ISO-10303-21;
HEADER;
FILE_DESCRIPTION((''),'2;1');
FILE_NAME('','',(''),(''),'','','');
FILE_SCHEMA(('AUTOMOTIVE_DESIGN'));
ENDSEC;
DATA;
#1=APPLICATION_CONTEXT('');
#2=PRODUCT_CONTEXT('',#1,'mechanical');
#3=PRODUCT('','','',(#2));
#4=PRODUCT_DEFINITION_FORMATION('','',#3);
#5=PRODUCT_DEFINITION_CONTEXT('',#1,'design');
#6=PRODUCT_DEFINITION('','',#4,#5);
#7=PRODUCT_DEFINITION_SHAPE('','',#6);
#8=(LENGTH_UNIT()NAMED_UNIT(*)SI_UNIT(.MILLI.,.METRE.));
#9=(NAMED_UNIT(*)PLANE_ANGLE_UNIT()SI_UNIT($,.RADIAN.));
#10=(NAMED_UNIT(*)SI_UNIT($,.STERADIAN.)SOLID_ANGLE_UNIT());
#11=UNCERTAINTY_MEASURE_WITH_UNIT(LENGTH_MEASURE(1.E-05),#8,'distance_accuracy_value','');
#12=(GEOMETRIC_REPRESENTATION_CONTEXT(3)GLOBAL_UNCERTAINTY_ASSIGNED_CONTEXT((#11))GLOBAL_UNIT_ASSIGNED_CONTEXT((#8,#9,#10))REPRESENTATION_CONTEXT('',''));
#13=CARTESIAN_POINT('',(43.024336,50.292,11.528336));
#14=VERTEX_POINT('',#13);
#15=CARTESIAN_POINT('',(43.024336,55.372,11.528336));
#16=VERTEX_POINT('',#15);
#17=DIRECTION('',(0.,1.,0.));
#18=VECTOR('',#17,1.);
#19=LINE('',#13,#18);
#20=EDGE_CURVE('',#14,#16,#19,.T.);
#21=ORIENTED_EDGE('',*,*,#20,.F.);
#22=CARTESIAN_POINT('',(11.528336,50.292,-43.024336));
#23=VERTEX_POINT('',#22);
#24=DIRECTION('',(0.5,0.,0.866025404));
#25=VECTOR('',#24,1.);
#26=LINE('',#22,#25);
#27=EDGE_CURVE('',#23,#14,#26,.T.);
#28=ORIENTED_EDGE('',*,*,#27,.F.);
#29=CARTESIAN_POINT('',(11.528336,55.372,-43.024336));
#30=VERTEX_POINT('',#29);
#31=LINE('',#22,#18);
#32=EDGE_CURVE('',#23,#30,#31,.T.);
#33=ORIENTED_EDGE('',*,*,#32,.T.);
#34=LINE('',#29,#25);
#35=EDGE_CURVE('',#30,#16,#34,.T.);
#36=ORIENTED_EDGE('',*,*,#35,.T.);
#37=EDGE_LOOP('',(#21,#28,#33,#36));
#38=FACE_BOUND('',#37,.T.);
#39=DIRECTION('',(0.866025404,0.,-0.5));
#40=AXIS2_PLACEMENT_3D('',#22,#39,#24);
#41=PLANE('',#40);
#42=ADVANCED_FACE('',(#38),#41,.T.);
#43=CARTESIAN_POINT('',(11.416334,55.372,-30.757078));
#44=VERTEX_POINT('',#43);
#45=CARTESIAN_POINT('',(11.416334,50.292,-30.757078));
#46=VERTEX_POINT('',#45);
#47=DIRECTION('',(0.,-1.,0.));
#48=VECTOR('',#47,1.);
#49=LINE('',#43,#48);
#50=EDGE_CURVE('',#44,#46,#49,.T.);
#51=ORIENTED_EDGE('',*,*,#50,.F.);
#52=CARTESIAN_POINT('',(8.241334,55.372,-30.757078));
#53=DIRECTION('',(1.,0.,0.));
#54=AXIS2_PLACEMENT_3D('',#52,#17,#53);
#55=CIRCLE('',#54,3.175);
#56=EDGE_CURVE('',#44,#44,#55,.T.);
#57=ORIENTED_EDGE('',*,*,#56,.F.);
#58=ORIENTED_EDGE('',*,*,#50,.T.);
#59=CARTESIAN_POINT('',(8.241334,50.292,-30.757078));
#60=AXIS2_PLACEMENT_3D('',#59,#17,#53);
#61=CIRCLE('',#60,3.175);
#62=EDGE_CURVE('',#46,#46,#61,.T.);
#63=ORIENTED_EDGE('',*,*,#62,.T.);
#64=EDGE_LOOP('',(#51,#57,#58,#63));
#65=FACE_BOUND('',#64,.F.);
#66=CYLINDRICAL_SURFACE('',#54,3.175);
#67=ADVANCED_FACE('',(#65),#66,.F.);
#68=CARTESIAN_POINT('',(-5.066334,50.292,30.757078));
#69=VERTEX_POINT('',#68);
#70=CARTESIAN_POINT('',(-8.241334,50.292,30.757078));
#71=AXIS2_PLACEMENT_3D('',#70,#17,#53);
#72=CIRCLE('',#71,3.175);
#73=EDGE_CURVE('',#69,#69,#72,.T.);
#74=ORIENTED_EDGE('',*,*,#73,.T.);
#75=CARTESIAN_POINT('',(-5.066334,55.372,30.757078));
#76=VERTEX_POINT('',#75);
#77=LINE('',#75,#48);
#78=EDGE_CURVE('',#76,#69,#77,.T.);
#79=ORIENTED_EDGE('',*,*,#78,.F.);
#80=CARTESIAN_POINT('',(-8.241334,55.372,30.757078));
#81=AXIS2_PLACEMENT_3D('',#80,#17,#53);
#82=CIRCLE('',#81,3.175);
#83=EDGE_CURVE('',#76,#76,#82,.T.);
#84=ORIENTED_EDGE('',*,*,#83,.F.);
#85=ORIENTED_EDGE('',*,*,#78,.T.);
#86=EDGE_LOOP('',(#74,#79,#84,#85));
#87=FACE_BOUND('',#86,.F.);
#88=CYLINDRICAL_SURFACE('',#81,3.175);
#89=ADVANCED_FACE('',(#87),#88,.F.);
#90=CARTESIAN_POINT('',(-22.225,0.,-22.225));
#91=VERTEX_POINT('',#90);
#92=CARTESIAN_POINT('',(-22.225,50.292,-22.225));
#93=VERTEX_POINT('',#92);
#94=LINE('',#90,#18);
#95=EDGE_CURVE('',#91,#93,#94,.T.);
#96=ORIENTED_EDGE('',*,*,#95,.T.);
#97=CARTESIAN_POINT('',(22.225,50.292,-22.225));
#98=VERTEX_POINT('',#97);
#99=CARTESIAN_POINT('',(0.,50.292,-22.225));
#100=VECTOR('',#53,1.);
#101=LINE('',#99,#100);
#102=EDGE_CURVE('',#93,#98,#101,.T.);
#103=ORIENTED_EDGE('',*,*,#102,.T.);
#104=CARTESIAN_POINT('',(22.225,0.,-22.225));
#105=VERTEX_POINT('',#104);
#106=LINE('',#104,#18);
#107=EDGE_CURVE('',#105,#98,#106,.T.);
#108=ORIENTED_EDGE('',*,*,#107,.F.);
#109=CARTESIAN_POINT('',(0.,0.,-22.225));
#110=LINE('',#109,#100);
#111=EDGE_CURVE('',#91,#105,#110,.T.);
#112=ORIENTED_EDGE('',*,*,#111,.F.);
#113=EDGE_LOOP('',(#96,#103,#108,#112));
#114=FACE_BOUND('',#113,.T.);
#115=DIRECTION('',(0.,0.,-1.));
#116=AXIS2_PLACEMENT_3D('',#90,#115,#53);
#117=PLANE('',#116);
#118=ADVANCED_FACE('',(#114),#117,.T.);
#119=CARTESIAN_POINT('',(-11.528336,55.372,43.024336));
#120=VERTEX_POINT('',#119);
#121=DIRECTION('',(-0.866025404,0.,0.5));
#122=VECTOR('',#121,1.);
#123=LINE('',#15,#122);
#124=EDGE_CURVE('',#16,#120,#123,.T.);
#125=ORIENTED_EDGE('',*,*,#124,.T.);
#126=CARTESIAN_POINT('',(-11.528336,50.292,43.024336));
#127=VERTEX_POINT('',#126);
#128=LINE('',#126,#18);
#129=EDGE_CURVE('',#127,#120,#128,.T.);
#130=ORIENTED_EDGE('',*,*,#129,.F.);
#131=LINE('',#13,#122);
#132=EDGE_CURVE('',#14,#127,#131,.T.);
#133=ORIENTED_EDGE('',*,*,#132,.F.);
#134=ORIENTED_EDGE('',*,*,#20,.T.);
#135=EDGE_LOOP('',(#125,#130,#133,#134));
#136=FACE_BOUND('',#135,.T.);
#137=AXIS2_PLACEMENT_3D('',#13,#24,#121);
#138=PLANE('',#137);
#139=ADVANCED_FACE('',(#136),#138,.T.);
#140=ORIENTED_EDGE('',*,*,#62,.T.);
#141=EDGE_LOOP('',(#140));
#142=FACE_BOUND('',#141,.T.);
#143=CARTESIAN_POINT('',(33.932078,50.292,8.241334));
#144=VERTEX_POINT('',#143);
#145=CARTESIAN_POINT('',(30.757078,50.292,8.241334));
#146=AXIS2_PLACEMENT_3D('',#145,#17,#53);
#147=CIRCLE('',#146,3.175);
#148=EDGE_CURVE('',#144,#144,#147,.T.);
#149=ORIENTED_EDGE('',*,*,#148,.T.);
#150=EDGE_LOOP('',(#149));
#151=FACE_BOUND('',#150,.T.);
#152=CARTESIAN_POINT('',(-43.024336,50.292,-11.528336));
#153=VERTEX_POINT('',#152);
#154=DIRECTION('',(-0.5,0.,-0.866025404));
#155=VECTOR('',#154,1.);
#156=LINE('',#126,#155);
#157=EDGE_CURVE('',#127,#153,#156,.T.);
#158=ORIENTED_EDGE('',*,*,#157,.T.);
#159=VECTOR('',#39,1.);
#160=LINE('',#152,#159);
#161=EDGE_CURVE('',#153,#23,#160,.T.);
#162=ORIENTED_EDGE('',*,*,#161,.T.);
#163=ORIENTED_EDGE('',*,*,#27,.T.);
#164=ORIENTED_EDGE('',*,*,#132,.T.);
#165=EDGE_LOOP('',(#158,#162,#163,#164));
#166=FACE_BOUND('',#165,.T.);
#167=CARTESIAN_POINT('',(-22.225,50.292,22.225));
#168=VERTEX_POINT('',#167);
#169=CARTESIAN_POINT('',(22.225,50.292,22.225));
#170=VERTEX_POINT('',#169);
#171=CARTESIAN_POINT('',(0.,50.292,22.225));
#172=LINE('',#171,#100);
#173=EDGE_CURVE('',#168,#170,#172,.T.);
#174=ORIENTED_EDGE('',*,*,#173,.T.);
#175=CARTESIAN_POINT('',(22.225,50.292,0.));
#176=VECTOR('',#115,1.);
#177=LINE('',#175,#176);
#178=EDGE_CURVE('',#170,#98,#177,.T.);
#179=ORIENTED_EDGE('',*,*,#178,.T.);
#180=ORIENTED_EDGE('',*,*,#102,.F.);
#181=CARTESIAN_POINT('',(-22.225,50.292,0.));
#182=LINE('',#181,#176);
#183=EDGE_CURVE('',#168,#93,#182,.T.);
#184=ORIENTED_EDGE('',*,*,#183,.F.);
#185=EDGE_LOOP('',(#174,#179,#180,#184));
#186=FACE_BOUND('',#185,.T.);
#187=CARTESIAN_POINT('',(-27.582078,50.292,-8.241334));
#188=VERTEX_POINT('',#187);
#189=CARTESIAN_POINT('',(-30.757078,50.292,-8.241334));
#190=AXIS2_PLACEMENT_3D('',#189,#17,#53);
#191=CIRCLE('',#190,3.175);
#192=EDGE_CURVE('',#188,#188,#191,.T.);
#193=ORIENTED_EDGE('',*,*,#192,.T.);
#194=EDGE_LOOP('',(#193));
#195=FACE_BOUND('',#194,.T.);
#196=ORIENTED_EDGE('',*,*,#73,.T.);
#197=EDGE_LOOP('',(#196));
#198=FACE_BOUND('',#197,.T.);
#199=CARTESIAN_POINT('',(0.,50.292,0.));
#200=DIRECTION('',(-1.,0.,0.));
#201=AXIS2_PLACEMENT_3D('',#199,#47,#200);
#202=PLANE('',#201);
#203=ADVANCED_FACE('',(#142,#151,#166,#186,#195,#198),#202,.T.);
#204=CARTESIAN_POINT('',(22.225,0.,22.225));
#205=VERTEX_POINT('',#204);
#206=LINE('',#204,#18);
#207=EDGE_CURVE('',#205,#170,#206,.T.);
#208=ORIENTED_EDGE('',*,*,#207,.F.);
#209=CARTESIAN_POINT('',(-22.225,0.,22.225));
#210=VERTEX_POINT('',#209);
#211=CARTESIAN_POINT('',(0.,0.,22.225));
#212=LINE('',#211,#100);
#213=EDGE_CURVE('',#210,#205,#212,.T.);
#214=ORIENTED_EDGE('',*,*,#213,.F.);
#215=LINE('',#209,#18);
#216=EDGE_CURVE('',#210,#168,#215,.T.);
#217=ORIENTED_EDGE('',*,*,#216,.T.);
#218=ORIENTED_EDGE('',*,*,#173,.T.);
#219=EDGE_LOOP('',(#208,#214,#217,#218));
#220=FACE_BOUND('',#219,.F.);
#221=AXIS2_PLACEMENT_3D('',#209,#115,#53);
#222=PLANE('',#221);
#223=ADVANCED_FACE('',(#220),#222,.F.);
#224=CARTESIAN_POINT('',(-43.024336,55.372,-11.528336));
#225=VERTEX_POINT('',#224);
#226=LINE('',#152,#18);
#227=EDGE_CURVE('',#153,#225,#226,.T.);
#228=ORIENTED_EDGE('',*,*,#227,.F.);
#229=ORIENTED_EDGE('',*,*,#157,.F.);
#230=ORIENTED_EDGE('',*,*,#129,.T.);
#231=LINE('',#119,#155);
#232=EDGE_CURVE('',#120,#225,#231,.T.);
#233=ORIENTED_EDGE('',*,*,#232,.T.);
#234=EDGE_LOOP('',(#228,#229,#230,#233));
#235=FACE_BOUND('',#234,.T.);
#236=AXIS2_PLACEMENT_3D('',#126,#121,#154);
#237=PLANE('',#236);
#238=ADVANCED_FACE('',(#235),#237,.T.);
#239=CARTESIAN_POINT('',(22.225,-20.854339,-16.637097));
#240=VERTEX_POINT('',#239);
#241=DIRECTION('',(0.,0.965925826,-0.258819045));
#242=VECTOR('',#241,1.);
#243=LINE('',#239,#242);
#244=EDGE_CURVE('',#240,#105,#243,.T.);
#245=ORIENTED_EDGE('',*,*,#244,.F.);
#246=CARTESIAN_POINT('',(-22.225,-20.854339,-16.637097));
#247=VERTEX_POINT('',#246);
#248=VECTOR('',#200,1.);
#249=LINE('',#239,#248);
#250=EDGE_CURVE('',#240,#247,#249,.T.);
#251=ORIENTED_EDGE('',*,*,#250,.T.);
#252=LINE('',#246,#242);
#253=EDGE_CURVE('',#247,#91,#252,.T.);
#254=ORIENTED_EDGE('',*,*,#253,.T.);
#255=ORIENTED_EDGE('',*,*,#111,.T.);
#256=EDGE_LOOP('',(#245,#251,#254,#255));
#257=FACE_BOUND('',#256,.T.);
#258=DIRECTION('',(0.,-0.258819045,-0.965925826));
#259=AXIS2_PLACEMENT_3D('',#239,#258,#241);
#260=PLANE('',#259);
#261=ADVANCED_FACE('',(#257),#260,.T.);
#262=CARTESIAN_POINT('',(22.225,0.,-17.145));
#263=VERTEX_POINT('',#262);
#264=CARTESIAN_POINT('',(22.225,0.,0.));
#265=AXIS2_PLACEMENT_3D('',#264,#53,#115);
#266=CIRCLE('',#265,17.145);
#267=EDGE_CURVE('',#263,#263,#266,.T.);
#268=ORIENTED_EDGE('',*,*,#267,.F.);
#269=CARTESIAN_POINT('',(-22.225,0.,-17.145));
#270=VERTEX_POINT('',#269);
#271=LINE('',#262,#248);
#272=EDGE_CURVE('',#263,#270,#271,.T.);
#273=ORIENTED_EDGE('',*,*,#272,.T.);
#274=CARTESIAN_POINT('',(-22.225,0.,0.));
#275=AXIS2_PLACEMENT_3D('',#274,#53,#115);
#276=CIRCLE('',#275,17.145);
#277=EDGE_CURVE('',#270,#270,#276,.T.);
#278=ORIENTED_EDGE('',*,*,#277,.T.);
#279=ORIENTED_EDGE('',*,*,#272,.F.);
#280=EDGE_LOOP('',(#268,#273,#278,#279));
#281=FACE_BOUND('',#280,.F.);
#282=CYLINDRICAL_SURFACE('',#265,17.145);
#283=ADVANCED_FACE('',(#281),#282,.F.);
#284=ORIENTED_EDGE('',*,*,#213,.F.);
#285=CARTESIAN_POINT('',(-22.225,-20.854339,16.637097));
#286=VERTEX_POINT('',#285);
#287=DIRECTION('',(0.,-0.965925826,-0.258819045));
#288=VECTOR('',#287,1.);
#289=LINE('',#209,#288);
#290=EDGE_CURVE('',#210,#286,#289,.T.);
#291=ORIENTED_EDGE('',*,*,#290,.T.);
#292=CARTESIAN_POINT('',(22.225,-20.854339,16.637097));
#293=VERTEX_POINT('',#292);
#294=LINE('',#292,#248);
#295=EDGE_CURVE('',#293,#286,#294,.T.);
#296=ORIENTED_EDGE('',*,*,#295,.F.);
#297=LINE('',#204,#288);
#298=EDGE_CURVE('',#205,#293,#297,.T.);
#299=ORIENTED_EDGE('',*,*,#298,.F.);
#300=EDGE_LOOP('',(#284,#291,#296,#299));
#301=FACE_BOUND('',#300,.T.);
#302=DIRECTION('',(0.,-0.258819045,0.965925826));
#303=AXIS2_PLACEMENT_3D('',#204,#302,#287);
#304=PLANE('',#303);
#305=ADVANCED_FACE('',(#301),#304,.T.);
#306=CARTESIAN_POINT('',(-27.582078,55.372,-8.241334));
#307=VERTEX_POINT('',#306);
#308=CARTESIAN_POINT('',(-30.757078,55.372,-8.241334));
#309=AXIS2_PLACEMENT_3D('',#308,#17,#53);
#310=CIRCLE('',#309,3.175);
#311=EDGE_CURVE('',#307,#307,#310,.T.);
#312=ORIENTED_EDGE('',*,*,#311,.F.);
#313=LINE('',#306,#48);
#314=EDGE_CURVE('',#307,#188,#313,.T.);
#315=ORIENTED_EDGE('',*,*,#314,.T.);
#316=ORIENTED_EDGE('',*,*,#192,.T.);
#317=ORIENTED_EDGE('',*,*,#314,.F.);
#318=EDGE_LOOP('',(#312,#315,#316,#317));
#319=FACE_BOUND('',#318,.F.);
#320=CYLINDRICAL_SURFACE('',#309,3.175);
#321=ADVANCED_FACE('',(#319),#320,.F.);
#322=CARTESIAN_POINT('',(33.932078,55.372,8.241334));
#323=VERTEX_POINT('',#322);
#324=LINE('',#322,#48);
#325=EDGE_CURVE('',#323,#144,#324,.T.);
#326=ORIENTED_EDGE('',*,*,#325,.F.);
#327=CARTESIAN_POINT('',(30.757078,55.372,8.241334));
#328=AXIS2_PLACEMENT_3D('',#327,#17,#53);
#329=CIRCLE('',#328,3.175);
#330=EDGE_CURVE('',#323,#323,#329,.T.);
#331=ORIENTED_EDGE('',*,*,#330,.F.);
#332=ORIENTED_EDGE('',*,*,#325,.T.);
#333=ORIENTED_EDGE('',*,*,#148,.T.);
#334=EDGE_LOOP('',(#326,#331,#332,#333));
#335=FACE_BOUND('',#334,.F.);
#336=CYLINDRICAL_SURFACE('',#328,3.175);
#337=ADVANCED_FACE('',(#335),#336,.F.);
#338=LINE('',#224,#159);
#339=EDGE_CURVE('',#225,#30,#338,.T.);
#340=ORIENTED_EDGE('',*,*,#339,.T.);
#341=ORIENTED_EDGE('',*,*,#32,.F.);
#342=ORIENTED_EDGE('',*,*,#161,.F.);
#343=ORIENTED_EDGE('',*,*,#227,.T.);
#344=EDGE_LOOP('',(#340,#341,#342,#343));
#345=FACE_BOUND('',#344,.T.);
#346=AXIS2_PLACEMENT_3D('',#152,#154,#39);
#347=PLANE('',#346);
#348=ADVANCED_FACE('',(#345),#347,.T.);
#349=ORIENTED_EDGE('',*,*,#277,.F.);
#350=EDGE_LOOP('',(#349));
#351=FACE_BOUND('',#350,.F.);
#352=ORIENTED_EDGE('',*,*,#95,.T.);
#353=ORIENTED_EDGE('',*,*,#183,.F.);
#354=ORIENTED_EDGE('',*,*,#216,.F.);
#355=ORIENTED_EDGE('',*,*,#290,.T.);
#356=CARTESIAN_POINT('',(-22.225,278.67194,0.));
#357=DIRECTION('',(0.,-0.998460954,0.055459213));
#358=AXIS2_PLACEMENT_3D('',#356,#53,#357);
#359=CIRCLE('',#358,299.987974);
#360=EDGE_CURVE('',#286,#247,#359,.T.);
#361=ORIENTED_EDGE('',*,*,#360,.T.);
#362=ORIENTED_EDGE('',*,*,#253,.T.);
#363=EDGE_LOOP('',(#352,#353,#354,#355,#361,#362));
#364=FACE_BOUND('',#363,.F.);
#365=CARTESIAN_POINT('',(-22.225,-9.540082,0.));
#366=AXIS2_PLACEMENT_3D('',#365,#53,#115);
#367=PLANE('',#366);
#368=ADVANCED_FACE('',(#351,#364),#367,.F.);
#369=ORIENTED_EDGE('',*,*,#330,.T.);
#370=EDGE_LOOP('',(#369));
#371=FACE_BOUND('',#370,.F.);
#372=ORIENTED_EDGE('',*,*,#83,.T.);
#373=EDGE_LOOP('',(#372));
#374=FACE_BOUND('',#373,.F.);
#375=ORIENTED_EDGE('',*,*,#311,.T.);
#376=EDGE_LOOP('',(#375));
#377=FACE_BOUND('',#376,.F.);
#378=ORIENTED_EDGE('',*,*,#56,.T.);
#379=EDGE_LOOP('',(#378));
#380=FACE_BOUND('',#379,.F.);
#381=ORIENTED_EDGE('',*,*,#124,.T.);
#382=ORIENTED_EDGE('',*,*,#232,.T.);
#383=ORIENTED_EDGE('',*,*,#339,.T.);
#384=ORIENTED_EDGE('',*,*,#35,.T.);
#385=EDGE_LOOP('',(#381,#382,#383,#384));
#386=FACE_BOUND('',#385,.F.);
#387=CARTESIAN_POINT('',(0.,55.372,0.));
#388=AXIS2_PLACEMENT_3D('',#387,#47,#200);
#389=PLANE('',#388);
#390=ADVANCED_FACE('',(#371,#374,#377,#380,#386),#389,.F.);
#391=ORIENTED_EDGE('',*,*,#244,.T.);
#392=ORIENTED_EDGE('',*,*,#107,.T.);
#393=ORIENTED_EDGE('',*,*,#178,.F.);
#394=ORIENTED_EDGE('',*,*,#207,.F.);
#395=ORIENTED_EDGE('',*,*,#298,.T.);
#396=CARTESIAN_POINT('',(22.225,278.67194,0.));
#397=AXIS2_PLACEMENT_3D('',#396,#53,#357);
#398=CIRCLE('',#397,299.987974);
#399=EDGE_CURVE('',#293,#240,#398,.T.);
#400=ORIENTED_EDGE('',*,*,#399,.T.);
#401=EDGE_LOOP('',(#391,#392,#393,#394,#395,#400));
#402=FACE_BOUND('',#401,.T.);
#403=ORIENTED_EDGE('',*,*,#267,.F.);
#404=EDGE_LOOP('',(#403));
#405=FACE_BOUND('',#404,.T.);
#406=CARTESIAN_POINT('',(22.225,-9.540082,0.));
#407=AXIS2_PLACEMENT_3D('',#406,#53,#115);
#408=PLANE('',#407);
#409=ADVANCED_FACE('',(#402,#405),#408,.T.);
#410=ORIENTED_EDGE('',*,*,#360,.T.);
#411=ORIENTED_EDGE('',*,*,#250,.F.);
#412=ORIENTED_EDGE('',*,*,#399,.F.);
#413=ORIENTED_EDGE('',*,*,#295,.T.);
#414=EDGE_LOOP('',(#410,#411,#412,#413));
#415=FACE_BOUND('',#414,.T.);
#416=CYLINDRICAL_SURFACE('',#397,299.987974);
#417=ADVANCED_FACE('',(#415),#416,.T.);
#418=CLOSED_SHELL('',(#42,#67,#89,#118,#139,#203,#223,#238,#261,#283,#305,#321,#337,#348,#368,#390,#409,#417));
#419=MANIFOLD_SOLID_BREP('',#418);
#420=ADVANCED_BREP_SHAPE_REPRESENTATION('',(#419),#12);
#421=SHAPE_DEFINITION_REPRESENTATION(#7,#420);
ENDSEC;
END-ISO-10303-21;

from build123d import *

# Parameters (mm, degrees)
SKETCH1_W           = 44.45
SKETCH1_H           = 44.45
BOSS_EXTRUDE1_DEPTH = 50.292
BOSS_EXTRUDE2_DEPTH = 44.45
SKETCH3_R           = 17.145
CUT_EXTRUDE1_DEPTH  = 127
BOSS_EXTRUDE3_DEPTH = 5.08
SKETCH5_R           = 3.175
CUT_EXTRUDE2_DEPTH  = 77.68803402


with BuildPart() as part:
    # Sketch1 → Boss-Extrude1 (new body)
    with BuildSketch(Plane(origin=(0, 0, 0), x_dir=(1, 0, 0), z_dir=(0, 1, 0))):
        Rectangle(SKETCH1_W, SKETCH1_H)
    extrude(amount=BOSS_EXTRUDE1_DEPTH)

    # Sketch2 → Boss-Extrude2 (add)
    with BuildSketch(Plane(origin=(22.225, 0, 0), x_dir=(0, 0, -1), z_dir=(1, 0, 0))):
        with BuildLine():
            Line((-22.225, 0), (-16.637096816, -20.85433859))
            ThreePointArc((-16.637096816, -20.85433859), (0, -21.31603402), (16.637096816, -20.85433859))
            Line((16.637096816, -20.85433859), (22.225, 0))
            Line((22.225, 0), (-22.225, 0))
        make_face()
    extrude(amount=-BOSS_EXTRUDE2_DEPTH)

    # Sketch3 → Cut-Extrude1 (cut)
    with BuildSketch(Plane(origin=(22.225, 0, 0), x_dir=(0, 0, -1), z_dir=(1, 0, 0))):
        Circle(SKETCH3_R)
    extrude(amount=-CUT_EXTRUDE1_DEPTH, mode=Mode.SUBTRACT)

    # Sketch4 → Boss-Extrude3 (add)
    with BuildSketch(Plane(origin=(0, 50.292, 0), x_dir=(1, 0, 0), z_dir=(0, 1, 0))):
        Polygon((43.024336118, -11.528336118), (-11.528336118, -43.024336118), (-43.024336118, 11.528336118), (11.528336118, 43.024336118), align=None)
    extrude(amount=BOSS_EXTRUDE3_DEPTH)

    # Sketch5 → Cut-Extrude2 (cut, through all)
    with BuildSketch(Plane(origin=(0, 55.372, 0), x_dir=(1, 0, 0), z_dir=(0, 1, 0))):
        with Locations((30.757078124, -8.241334245)):
            Circle(SKETCH5_R)
        with Locations((-8.241334245, -30.757078124)):
            Circle(SKETCH5_R)
        with Locations((8.241334245, 30.757078124)):
            Circle(SKETCH5_R)
        with Locations((-30.757078124, 8.241334245)):
            Circle(SKETCH5_R)
    extrude(amount=-CUT_EXTRUDE2_DEPTH, mode=Mode.SUBTRACT)


solid = part.part
